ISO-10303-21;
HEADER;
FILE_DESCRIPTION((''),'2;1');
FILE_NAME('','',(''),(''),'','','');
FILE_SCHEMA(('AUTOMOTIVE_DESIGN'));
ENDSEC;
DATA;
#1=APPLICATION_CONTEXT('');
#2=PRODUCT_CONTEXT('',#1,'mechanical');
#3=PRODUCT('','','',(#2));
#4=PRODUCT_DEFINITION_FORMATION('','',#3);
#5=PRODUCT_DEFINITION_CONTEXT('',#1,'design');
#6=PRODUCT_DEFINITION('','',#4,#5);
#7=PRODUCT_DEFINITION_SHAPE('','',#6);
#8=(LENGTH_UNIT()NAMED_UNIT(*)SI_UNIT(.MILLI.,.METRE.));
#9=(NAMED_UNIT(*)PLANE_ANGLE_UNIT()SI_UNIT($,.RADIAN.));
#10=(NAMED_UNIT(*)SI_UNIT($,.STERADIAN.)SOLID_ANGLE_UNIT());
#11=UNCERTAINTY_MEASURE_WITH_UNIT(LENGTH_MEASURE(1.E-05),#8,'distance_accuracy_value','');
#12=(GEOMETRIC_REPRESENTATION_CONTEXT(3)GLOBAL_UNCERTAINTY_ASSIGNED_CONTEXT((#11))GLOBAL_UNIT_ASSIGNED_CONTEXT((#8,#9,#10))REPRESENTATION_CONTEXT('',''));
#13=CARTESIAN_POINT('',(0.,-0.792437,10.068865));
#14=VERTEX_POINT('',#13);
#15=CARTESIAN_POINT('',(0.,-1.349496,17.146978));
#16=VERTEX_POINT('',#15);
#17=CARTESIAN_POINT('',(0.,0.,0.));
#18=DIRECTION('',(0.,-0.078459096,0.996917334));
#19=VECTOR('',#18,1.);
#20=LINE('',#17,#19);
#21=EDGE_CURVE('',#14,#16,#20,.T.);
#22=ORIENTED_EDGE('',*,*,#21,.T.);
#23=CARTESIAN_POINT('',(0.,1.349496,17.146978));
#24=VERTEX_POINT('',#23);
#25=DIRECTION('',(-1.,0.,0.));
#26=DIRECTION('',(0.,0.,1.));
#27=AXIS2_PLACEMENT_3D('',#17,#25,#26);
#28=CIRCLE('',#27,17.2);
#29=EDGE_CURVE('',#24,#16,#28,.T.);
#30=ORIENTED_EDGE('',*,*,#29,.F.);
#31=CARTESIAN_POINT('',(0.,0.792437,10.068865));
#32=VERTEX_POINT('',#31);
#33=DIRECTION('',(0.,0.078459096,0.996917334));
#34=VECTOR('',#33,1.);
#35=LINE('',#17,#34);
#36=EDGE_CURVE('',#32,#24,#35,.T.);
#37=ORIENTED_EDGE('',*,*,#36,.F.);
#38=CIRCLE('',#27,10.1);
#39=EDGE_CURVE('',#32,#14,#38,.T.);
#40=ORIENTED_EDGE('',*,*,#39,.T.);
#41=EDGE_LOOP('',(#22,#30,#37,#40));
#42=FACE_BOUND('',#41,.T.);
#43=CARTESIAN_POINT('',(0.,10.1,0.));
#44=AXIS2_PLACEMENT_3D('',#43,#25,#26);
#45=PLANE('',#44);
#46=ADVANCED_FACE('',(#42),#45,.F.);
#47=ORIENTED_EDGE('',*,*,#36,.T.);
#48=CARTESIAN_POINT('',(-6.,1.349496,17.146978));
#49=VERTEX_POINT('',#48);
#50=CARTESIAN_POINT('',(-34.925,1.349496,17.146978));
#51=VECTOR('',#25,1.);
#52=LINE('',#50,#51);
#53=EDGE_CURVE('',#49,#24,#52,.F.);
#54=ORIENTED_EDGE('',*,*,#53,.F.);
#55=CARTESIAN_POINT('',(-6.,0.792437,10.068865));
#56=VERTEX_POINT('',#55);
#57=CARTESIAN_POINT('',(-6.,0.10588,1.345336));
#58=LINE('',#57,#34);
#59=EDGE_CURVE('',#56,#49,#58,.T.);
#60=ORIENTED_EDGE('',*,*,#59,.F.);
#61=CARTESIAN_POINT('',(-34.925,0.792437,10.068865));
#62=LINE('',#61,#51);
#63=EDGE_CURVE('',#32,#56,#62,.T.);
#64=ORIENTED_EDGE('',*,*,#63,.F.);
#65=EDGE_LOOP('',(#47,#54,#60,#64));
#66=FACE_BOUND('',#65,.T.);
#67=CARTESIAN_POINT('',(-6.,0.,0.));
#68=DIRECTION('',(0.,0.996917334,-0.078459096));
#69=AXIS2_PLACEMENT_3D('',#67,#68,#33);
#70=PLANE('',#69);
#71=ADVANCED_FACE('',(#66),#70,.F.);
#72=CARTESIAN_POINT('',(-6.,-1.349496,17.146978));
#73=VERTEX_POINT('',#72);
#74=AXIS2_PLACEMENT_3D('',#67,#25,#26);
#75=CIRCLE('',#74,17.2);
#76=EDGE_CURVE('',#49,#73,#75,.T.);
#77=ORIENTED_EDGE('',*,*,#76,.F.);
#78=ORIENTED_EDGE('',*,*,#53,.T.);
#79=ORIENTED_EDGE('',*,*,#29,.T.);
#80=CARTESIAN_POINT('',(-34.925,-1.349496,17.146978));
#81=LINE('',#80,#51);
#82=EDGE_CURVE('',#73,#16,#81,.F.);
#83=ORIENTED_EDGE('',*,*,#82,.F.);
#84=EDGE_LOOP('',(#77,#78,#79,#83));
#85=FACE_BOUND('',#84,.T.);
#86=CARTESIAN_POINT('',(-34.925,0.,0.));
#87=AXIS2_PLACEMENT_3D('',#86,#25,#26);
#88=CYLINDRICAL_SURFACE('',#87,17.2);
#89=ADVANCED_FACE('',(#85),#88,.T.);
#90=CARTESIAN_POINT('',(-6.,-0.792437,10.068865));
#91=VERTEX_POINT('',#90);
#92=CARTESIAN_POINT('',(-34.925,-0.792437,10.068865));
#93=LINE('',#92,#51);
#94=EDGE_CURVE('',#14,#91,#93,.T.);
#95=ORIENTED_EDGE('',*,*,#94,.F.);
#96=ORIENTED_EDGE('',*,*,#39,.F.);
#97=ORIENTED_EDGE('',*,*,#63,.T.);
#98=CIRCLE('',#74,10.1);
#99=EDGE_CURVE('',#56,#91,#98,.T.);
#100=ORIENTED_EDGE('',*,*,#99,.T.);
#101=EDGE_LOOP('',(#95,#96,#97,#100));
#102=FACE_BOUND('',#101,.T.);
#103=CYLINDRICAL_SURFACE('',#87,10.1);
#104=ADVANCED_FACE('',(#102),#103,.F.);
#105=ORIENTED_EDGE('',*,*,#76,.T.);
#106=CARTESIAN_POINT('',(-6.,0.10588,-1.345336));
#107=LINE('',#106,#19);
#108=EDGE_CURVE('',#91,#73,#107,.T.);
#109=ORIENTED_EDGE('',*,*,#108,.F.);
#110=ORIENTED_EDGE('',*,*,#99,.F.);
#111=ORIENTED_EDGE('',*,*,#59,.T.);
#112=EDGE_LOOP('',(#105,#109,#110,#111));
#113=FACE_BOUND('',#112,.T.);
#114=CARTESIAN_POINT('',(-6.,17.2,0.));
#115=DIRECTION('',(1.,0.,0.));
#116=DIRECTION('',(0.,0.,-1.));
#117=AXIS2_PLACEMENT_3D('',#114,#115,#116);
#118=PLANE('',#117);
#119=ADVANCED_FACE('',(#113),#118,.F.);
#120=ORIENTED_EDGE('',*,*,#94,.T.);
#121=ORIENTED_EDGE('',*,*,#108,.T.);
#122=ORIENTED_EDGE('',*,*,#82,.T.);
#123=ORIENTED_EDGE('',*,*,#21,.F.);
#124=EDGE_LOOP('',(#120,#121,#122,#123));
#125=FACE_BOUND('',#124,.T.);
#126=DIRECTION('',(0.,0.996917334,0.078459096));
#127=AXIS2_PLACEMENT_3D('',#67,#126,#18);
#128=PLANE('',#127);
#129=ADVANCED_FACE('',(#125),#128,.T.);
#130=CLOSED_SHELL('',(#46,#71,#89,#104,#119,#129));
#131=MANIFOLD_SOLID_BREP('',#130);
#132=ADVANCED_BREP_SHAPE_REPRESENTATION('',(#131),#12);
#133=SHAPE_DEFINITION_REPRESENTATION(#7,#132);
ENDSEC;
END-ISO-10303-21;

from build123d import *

# Parameters (mm, degrees)
SKETCH1_W = 6
SKETCH1_H = 7.1
GAP_DEPTH = 26.053542664


with BuildPart() as part:
    # Sketch1 → Base-Revolve (revolve)
    with BuildSketch(Plane.XY, mode=Mode.PRIVATE) as base_revolve_sk:
        with Locations((-3, 13.65)):
            Rectangle(SKETCH1_W, SKETCH1_H)
    revolve(base_revolve_sk.sketch.rotate(Axis((-34.925, 0, 0), (1, 0, 0)), 90), axis=Axis((-34.925, 0, 0), (1, 0, 0)))

    # Sketch2 → Gap (cut, through all)
    with BuildSketch(Plane(origin=(0, 0, 0), x_dir=(0, -1, 0), z_dir=(-1, 0, 0))):
        with BuildLine():
            Line((0, 0), (1.376486375, 17.489917703))
            ThreePointArc((1.376486375, 17.489917703), (0, 17.544), (-1.376486375, 17.489917703))
            Line((-1.376486375, 17.489917703), (0, 0))
        make_face()
    extrude(amount=GAP_DEPTH, mode=Mode.SUBTRACT)


solid = part.part
